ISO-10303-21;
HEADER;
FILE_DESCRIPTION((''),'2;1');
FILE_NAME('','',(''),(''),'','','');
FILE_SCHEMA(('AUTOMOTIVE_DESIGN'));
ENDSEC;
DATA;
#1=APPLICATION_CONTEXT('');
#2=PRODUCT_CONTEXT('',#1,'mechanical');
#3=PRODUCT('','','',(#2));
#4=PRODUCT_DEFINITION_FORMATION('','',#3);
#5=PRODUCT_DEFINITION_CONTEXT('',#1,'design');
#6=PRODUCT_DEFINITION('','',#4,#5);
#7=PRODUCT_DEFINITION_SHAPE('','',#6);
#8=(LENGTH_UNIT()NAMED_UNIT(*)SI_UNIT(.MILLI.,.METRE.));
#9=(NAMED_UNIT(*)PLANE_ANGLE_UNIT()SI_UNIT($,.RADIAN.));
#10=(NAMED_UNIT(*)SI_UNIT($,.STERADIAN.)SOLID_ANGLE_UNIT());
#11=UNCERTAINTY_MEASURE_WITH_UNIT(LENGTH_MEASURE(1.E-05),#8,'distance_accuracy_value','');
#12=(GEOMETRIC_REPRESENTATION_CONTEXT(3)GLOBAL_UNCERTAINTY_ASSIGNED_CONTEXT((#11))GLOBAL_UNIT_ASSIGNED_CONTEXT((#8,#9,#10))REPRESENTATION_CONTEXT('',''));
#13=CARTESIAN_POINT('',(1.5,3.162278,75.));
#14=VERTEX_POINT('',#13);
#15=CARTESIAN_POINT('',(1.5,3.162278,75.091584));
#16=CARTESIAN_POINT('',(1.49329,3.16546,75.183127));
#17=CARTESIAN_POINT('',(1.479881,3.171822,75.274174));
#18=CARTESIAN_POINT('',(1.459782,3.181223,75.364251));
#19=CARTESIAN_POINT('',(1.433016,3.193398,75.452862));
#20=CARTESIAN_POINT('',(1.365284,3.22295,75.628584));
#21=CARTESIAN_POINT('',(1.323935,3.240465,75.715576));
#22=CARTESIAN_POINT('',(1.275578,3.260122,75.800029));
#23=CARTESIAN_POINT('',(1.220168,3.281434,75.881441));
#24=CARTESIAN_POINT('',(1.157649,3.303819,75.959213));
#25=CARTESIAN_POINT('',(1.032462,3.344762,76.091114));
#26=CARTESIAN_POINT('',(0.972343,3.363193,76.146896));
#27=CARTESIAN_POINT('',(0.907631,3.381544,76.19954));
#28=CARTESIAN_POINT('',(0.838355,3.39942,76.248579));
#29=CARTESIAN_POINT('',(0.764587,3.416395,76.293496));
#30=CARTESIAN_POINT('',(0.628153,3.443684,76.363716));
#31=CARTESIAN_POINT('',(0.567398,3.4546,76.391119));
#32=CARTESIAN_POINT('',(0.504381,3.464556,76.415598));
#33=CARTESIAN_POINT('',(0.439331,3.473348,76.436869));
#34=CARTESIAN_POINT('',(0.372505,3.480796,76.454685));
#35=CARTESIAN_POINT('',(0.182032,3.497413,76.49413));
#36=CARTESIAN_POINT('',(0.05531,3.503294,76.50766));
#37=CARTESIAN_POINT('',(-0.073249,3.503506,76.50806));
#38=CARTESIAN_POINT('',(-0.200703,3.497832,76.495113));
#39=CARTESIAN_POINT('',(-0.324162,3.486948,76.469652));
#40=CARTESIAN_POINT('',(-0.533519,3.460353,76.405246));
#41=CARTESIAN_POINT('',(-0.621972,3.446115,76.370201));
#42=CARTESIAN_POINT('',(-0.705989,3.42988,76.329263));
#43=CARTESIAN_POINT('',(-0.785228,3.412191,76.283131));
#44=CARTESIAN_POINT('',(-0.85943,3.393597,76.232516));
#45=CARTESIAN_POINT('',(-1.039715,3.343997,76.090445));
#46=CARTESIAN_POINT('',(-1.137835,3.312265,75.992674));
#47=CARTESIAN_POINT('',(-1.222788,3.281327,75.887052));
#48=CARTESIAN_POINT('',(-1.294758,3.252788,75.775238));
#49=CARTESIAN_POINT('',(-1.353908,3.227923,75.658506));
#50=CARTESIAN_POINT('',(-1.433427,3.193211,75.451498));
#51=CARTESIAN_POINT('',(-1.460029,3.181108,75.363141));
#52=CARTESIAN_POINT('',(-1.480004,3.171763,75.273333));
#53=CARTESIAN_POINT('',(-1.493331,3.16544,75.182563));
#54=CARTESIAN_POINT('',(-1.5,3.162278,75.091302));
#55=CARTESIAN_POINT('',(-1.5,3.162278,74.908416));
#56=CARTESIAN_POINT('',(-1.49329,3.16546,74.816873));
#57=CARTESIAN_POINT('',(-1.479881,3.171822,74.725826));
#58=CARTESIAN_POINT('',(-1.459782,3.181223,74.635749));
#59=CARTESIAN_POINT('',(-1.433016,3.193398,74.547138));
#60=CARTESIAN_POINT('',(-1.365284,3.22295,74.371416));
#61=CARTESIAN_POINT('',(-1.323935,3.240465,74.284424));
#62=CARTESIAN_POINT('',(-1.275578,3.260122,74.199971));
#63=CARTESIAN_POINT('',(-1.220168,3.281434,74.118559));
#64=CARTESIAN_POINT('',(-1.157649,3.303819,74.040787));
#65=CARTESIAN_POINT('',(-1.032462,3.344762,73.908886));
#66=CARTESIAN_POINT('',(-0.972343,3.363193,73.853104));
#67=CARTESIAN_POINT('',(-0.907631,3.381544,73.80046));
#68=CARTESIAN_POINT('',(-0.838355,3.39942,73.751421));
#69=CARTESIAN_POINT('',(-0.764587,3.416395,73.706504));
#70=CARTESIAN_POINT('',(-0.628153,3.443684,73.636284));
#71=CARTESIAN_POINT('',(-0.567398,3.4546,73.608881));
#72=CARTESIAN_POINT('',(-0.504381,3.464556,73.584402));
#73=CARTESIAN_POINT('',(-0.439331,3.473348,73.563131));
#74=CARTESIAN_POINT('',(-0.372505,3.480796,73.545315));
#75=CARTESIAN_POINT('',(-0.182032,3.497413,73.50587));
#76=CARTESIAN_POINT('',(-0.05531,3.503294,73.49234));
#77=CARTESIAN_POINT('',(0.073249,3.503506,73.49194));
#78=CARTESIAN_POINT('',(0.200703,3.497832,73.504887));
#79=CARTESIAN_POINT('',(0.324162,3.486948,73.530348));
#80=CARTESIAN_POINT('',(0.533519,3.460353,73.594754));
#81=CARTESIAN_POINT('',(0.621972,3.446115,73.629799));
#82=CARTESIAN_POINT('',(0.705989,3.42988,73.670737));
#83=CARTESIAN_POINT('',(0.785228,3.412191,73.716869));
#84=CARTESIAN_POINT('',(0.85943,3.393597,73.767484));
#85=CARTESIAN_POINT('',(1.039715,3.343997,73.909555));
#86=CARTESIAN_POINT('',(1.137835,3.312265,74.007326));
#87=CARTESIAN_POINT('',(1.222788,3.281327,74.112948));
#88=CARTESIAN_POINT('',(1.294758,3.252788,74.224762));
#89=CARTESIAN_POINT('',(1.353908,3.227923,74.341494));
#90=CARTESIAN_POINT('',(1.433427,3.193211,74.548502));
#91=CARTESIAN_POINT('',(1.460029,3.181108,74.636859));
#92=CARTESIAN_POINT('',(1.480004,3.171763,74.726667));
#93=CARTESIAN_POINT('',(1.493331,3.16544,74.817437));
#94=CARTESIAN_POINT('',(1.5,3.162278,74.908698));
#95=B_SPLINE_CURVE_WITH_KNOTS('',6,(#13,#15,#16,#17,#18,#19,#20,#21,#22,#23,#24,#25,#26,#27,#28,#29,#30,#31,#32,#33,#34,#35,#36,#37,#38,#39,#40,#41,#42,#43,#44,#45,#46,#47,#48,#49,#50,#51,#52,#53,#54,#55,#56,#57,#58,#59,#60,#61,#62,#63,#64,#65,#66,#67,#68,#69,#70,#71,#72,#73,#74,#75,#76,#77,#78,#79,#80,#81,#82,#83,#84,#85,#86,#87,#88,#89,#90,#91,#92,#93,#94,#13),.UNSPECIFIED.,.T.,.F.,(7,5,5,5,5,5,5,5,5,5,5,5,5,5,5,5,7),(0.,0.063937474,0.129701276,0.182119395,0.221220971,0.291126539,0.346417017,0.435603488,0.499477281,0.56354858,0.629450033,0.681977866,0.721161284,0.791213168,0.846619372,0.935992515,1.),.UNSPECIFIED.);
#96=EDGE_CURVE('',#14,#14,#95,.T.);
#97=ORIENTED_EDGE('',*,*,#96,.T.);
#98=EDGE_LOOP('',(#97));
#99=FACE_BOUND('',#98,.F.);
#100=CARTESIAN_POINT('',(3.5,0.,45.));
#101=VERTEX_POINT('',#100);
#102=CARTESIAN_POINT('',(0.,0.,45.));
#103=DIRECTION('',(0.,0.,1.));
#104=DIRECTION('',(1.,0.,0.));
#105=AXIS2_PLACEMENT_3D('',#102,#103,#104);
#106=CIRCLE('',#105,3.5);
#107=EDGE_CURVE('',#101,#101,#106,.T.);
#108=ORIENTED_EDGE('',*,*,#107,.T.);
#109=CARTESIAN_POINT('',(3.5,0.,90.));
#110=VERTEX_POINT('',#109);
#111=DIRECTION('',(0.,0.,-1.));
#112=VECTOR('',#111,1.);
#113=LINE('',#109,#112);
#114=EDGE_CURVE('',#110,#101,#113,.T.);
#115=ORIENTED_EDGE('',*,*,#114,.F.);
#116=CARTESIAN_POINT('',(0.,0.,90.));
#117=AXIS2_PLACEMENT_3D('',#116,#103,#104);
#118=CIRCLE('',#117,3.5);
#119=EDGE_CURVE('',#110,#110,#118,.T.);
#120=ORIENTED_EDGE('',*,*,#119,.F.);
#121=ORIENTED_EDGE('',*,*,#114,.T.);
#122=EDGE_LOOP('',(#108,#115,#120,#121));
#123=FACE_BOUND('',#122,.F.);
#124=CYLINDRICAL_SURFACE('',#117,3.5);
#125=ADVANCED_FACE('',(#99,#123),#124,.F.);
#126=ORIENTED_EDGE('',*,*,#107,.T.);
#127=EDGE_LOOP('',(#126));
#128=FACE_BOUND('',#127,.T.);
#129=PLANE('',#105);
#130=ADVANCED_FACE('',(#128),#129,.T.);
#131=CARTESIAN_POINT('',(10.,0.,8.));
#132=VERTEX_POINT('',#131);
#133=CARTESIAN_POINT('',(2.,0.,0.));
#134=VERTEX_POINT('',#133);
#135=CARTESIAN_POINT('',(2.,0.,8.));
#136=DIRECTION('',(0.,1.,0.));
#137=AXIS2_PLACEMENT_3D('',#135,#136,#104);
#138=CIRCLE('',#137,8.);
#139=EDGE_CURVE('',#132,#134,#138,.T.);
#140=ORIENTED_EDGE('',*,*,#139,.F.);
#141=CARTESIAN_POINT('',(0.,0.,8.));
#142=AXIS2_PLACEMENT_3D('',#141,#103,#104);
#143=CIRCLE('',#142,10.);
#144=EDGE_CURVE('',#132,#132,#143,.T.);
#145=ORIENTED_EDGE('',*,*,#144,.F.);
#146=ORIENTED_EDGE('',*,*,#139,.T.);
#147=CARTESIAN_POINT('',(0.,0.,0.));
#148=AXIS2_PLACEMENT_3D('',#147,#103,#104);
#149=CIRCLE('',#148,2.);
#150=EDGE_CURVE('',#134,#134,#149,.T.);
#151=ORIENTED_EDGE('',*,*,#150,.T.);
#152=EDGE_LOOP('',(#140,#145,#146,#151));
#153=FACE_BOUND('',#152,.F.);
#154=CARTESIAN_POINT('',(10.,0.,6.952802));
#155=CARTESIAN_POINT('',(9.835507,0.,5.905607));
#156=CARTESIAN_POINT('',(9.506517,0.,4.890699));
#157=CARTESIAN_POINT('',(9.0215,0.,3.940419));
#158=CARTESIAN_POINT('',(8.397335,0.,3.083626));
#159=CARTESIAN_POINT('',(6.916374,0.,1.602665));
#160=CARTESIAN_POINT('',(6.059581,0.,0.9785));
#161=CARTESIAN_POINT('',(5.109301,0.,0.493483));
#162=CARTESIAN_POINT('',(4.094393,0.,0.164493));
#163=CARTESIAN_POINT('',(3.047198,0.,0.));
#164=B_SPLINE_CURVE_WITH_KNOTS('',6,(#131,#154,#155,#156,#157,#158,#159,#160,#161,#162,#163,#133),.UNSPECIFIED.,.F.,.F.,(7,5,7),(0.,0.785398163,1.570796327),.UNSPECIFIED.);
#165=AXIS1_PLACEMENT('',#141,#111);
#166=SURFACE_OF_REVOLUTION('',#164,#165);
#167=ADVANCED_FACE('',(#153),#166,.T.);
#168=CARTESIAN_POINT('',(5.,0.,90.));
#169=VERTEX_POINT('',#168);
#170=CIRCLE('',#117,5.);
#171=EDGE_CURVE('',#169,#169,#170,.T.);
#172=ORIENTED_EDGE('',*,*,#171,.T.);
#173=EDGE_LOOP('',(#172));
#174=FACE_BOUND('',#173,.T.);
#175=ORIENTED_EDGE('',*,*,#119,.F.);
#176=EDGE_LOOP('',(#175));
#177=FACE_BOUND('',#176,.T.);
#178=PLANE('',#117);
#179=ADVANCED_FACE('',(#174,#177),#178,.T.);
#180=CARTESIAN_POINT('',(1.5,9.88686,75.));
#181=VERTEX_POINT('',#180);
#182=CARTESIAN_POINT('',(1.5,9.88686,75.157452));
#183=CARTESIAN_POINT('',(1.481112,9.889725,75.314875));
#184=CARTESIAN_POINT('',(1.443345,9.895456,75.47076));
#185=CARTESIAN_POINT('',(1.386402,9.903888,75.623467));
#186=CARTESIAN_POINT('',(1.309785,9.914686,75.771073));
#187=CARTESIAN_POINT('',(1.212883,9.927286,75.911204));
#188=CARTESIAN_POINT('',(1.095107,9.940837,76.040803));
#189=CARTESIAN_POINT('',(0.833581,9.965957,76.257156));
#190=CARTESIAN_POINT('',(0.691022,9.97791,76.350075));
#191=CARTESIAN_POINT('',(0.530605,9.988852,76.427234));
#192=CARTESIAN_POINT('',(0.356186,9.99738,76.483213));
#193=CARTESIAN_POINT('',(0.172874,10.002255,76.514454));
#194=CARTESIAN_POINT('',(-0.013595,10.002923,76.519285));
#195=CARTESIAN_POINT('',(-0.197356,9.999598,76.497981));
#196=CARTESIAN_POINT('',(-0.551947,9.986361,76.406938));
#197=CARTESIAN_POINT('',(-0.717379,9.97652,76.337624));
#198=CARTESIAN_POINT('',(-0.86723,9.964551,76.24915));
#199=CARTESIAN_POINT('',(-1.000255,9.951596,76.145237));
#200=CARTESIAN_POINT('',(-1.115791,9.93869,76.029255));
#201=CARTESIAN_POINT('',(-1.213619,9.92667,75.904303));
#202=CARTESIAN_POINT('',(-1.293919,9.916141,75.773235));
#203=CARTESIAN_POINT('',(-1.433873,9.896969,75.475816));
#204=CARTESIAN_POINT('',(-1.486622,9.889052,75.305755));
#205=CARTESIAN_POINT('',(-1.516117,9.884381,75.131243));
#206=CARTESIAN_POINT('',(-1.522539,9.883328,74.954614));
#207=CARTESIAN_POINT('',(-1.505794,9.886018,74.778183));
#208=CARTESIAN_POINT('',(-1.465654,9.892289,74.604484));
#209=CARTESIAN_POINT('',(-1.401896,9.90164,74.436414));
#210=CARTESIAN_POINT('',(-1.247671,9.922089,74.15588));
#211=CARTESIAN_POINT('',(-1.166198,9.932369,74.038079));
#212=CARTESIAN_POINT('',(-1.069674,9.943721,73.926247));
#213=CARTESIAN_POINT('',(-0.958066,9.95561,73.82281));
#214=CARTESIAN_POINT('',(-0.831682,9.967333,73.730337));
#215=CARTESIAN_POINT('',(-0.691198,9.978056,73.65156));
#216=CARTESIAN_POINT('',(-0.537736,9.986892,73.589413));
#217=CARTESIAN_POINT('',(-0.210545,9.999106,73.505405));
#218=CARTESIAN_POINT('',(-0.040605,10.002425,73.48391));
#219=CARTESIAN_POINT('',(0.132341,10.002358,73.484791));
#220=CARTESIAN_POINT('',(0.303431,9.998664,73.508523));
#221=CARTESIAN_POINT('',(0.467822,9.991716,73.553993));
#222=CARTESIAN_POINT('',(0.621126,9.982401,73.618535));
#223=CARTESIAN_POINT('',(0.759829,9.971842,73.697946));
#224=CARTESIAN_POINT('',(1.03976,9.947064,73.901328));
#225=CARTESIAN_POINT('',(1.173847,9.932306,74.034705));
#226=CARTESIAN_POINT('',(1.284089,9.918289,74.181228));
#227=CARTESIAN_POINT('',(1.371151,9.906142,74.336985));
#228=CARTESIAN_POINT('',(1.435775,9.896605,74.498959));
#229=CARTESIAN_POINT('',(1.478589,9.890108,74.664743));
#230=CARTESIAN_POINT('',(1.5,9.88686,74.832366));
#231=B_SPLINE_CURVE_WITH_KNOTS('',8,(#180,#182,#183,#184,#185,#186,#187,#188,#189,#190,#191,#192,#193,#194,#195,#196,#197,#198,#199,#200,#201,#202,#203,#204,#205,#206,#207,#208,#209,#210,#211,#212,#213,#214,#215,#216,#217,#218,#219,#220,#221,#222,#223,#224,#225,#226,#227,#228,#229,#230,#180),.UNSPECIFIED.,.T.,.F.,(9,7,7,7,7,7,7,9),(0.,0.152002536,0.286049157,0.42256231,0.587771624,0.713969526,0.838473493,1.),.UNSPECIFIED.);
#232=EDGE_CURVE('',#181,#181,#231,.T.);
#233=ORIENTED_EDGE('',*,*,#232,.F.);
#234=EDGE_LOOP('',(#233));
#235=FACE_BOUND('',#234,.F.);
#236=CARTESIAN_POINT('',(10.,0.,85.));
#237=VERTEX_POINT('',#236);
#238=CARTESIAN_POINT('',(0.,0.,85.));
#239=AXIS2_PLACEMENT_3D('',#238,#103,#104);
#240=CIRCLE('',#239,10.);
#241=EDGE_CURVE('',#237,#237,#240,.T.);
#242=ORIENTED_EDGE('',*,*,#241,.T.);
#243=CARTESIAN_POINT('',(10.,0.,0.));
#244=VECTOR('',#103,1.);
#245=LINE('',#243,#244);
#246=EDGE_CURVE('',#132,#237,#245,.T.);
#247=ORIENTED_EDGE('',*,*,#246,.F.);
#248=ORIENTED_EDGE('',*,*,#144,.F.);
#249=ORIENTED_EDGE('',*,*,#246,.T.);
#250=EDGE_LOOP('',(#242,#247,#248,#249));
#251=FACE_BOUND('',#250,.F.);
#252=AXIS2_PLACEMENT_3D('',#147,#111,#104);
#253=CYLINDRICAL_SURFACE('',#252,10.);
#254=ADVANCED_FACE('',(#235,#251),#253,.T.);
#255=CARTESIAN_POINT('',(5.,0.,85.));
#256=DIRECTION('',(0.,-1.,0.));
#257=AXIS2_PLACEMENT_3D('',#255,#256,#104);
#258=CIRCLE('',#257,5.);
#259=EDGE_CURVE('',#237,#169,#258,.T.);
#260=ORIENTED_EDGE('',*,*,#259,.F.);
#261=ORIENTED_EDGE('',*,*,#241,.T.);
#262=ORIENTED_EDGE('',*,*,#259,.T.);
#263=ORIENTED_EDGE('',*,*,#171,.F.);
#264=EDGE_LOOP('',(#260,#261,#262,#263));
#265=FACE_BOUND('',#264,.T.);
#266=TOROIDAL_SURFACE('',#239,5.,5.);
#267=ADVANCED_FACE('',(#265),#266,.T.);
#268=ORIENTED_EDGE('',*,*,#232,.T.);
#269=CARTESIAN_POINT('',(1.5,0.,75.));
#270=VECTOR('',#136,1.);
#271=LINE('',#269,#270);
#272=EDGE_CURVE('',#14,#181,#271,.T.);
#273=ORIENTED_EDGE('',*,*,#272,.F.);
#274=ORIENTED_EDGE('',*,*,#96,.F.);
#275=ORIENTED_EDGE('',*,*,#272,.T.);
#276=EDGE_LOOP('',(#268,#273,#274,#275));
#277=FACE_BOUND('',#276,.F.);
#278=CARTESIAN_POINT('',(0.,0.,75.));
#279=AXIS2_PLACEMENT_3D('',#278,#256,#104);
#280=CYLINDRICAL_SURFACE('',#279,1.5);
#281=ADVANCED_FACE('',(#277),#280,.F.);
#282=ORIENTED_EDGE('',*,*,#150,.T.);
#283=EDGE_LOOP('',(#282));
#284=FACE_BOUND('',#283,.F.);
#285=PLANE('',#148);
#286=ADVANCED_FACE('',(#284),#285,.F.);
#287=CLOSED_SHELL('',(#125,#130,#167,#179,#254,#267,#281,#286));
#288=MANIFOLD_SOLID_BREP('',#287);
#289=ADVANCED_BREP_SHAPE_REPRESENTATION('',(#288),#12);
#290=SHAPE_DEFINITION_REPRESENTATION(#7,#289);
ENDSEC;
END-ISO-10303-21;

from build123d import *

# Parameters (mm, degrees)
F0_R     = 10
F1_DEPTH = 90
F2_R     = 8
F3_R     = 5
F4_R     = 3.5
F5_DEPTH = 45
F6_R     = 1.5
F7_DEPTH = 10.001


with BuildPart() as f1:
    # F0 (on Top) → F1 (new body)
    with BuildSketch(Plane.XY):
        Circle(F0_R)
    extrude(amount=F1_DEPTH)

    # F2
    f2_edges = [f1.edges().sort_by_distance(p)[0] for p in [
        (-10, 0, 0),
    ]]
    fillet(f2_edges, radius=F2_R)

    # F3
    f3_edges = [f1.edges().sort_by_distance(p)[0] for p in [
        (-10, 0, 90),
    ]]
    fillet(f3_edges, radius=F3_R)

    # F4 (on face) → F5 (cut)
    with BuildSketch(Plane.XY.offset(90)):
        Circle(F4_R)
    extrude(amount=-F5_DEPTH, mode=Mode.SUBTRACT)

    # F6 (on Front) → F7 (cut, through all)
    with BuildSketch(Plane.XZ):
        with Locations((0, 75)):
            Circle(F6_R)
    extrude(amount=-F7_DEPTH, mode=Mode.SUBTRACT)


solid = f1.part
